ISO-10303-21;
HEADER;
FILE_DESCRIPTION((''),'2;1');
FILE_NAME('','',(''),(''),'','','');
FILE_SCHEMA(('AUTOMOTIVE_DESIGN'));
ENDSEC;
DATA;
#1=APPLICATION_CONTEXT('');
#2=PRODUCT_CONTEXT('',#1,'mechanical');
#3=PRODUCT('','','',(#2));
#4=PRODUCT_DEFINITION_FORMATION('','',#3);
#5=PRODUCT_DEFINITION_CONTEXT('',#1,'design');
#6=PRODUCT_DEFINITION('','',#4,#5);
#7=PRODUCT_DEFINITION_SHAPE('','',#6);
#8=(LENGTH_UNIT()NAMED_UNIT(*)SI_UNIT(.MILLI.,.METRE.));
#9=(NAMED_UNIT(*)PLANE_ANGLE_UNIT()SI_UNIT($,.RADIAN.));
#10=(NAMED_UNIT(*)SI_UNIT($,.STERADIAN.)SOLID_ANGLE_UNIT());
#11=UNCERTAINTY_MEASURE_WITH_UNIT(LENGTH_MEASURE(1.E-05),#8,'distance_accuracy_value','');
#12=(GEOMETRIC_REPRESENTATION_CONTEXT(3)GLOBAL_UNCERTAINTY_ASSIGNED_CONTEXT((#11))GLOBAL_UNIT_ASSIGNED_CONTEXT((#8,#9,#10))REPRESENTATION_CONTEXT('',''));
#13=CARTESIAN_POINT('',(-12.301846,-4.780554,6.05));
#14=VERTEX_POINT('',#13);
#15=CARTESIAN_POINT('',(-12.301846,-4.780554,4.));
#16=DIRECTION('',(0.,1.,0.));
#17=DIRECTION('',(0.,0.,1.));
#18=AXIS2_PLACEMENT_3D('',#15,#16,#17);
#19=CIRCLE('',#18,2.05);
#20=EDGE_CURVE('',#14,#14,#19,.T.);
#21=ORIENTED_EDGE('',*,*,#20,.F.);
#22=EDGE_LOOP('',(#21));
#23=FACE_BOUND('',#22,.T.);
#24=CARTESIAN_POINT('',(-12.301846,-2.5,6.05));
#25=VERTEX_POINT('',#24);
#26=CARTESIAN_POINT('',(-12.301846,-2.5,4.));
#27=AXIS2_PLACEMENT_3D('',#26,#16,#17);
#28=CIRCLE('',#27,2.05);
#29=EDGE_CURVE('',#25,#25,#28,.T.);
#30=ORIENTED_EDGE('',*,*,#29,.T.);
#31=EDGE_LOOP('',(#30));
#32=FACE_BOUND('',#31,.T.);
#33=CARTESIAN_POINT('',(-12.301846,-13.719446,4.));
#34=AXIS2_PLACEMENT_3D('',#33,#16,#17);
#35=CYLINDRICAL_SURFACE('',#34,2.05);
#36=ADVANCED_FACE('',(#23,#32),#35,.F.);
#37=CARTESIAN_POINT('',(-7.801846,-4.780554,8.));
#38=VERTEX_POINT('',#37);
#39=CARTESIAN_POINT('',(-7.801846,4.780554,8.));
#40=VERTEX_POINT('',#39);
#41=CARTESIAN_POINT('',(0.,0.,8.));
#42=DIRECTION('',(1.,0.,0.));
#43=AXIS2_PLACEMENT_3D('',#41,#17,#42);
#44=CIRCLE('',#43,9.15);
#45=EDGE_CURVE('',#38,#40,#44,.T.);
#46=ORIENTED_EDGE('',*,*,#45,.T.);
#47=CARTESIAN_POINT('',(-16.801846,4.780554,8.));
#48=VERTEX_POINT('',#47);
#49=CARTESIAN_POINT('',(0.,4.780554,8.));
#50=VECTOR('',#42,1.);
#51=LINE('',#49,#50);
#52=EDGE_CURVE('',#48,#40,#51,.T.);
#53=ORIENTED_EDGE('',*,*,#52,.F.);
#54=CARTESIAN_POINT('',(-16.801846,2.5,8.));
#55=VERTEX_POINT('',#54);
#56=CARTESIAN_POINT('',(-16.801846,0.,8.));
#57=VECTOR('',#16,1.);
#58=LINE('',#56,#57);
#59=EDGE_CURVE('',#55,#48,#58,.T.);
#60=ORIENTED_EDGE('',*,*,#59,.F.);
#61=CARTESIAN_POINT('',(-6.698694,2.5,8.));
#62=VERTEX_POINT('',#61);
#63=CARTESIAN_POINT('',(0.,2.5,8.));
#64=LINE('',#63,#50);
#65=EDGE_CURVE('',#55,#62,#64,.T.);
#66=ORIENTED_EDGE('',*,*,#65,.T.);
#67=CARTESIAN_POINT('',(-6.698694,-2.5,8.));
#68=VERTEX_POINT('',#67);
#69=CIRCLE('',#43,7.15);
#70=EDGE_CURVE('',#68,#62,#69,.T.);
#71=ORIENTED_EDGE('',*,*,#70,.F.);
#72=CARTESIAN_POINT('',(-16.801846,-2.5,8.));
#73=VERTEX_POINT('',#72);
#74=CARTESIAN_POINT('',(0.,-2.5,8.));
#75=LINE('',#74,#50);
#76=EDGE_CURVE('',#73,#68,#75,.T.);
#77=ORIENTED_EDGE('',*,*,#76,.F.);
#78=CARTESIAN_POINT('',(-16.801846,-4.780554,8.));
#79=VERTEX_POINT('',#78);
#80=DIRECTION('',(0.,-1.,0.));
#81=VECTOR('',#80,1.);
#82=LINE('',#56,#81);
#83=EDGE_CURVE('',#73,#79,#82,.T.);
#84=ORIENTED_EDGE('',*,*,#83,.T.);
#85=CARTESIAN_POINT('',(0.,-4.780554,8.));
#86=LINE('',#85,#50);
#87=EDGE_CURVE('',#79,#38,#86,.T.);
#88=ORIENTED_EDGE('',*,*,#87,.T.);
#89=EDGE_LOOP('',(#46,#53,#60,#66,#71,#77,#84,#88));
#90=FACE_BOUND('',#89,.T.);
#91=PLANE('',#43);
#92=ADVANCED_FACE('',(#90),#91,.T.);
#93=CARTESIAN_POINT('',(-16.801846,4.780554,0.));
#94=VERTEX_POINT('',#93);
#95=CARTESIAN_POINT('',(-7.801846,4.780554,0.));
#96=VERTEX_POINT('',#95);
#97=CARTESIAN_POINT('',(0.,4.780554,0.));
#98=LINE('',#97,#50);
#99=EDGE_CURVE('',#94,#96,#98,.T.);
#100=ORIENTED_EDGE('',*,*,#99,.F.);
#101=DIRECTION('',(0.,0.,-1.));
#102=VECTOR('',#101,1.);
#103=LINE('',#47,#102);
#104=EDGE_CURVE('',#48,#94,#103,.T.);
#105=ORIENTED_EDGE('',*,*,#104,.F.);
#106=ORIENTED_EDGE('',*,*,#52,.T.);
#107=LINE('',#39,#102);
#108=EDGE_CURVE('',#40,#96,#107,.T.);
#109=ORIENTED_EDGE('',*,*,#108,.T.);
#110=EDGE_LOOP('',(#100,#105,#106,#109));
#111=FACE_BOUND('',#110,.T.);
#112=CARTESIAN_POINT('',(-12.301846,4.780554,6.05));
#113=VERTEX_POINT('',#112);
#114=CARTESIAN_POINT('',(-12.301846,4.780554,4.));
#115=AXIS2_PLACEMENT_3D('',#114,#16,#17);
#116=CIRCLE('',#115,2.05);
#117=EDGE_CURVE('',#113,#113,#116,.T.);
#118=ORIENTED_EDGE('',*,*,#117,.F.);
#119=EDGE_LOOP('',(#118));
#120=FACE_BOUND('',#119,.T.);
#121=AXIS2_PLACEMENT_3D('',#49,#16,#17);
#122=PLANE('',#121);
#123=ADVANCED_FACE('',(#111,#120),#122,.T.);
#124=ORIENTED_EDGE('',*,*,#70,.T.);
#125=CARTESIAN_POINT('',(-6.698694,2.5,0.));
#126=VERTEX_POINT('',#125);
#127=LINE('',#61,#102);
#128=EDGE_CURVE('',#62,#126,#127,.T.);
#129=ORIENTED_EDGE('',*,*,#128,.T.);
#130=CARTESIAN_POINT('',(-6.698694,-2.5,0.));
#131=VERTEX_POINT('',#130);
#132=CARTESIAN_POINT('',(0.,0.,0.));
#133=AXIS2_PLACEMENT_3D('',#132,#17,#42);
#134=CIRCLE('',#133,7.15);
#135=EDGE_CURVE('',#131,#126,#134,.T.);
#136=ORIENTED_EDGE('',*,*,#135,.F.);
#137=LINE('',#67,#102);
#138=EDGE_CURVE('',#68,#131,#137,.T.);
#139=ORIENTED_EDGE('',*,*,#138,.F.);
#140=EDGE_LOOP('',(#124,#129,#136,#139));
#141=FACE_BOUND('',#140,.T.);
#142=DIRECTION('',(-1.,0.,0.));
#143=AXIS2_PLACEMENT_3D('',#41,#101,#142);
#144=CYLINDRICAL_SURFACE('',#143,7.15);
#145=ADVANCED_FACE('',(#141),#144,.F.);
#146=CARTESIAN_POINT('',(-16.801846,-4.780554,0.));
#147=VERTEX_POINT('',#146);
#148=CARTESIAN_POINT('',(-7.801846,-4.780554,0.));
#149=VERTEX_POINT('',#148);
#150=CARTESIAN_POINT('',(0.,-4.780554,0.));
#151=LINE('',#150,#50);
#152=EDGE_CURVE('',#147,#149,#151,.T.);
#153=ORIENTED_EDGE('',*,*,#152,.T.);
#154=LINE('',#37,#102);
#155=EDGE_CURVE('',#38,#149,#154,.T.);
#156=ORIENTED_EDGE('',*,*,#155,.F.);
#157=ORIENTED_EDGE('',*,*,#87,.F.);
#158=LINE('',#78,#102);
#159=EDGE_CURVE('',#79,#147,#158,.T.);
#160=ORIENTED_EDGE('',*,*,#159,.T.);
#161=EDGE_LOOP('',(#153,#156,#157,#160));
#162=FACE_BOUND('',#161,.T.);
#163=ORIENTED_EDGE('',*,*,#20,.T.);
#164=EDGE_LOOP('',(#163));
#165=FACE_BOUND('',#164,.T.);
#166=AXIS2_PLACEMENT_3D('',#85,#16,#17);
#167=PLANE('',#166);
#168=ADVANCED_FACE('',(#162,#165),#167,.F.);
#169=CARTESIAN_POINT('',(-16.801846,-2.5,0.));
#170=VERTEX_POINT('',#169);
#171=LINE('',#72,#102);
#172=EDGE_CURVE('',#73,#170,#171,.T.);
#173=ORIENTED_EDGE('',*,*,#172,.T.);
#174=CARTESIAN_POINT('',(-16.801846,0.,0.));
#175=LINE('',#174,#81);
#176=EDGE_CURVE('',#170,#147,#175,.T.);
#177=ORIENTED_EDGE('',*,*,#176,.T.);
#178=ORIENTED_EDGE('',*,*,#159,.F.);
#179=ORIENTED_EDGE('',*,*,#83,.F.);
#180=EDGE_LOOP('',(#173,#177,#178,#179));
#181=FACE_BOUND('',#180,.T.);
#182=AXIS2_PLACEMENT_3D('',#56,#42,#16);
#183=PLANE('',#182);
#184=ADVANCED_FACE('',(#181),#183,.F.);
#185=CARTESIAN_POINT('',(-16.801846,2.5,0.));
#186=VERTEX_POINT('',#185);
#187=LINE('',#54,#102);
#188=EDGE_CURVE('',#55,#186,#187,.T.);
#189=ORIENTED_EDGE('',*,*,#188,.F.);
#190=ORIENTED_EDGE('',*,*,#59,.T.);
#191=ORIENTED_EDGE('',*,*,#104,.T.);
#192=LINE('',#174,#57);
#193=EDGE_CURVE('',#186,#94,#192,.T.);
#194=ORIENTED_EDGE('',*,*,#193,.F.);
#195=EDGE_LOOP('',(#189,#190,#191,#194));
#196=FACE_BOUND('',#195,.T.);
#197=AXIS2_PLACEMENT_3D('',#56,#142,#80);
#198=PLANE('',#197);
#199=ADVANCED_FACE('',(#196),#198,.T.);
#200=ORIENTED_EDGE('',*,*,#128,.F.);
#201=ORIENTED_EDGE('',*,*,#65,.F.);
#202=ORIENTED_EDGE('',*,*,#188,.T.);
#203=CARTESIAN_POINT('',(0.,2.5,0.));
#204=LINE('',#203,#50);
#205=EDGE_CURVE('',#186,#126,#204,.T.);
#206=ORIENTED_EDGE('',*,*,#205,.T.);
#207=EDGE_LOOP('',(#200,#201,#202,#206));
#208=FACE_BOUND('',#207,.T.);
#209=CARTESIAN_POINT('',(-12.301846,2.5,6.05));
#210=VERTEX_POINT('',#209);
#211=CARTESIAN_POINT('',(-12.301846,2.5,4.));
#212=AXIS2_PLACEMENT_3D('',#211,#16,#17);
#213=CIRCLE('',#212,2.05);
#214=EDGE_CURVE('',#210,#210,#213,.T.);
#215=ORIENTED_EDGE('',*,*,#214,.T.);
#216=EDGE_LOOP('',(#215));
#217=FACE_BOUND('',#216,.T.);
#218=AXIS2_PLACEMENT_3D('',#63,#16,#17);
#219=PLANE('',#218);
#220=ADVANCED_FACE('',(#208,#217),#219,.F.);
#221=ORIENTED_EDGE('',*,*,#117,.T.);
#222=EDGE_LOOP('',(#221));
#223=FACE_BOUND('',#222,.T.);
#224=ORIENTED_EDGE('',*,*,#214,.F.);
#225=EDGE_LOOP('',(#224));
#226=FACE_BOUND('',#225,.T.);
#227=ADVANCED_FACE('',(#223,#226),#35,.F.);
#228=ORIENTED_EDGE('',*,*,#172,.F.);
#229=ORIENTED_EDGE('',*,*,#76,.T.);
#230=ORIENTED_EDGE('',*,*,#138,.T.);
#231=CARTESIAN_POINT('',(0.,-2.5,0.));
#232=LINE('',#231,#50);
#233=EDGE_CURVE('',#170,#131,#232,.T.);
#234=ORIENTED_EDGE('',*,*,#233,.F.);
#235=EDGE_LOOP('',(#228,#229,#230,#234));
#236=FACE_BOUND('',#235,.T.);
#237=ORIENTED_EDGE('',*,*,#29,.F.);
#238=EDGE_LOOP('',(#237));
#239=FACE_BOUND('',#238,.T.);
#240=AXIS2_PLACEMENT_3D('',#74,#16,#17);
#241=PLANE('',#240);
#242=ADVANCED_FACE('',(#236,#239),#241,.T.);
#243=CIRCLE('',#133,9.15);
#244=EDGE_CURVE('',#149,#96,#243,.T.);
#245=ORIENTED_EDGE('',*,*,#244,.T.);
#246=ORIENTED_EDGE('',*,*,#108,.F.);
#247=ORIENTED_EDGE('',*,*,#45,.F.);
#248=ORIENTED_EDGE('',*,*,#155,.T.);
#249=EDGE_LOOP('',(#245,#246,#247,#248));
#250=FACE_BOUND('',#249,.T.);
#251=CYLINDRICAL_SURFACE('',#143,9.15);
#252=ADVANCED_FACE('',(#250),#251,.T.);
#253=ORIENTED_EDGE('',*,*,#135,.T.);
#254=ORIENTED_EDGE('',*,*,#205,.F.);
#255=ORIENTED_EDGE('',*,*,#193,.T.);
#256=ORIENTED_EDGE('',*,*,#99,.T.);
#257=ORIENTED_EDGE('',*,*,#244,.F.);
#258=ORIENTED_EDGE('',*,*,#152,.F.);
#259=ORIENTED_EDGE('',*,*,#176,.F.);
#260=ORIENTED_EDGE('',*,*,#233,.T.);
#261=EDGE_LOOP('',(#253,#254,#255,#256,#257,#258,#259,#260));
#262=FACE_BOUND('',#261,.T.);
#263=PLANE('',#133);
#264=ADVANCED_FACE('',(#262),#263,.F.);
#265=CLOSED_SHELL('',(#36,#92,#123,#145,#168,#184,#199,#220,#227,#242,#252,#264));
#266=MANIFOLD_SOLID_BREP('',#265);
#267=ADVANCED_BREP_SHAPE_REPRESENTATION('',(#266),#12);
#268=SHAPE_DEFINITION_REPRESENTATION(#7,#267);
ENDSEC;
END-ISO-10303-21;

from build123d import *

# Parameters (mm, degrees)
BOSS_EXTRUDE1_DEPTH = 8
SKETCH3_R           = 2.05
CUT_EXTRUDE1_DEPTH  = 18.5


with BuildPart() as part:
    # Sketch1 → Boss-Extrude1 (new body)
    with BuildSketch(Plane.XY):
        with BuildLine():
            Line((-16.801846397, -4.780553608), (-7.801846397, -4.780553608))
            ThreePointArc((-7.801846397, -4.780553608), (9.15, 0), (-7.801846397, 4.780553608))
            Line((-7.801846397, 4.780553608), (-16.801846397, 4.780553608))
            Line((-16.801846397, 4.780553608), (-16.801846397, 2.5))
            Line((-16.801846397, 2.5), (-8.801846397, 2.5))
            Line((-8.801846397, 2.5), (-6.698693903, 2.5))
            ThreePointArc((-6.698693903, 2.5), (7.15, 0), (-6.698693903, -2.5))
            Line((-6.698693903, -2.5), (-8.801846397, -2.5))
            Line((-8.801846397, -2.5), (-16.801846397, -2.5))
            Line((-16.801846397, -2.5), (-16.801846397, -4.780553608))
        make_face()
    extrude(amount=BOSS_EXTRUDE1_DEPTH)

    # Sketch3 → Cut-Extrude1 (cut)
    with BuildSketch(Plane(origin=(0, 4.780553608, 0), x_dir=(1, 0, 0), z_dir=(0, 1, 0))):
        with Locations(Location((-12.301846397, -4, 0), (0, 0, 270))):
            Circle(SKETCH3_R)
    extrude(amount=-CUT_EXTRUDE1_DEPTH, mode=Mode.SUBTRACT)


solid = part.part
